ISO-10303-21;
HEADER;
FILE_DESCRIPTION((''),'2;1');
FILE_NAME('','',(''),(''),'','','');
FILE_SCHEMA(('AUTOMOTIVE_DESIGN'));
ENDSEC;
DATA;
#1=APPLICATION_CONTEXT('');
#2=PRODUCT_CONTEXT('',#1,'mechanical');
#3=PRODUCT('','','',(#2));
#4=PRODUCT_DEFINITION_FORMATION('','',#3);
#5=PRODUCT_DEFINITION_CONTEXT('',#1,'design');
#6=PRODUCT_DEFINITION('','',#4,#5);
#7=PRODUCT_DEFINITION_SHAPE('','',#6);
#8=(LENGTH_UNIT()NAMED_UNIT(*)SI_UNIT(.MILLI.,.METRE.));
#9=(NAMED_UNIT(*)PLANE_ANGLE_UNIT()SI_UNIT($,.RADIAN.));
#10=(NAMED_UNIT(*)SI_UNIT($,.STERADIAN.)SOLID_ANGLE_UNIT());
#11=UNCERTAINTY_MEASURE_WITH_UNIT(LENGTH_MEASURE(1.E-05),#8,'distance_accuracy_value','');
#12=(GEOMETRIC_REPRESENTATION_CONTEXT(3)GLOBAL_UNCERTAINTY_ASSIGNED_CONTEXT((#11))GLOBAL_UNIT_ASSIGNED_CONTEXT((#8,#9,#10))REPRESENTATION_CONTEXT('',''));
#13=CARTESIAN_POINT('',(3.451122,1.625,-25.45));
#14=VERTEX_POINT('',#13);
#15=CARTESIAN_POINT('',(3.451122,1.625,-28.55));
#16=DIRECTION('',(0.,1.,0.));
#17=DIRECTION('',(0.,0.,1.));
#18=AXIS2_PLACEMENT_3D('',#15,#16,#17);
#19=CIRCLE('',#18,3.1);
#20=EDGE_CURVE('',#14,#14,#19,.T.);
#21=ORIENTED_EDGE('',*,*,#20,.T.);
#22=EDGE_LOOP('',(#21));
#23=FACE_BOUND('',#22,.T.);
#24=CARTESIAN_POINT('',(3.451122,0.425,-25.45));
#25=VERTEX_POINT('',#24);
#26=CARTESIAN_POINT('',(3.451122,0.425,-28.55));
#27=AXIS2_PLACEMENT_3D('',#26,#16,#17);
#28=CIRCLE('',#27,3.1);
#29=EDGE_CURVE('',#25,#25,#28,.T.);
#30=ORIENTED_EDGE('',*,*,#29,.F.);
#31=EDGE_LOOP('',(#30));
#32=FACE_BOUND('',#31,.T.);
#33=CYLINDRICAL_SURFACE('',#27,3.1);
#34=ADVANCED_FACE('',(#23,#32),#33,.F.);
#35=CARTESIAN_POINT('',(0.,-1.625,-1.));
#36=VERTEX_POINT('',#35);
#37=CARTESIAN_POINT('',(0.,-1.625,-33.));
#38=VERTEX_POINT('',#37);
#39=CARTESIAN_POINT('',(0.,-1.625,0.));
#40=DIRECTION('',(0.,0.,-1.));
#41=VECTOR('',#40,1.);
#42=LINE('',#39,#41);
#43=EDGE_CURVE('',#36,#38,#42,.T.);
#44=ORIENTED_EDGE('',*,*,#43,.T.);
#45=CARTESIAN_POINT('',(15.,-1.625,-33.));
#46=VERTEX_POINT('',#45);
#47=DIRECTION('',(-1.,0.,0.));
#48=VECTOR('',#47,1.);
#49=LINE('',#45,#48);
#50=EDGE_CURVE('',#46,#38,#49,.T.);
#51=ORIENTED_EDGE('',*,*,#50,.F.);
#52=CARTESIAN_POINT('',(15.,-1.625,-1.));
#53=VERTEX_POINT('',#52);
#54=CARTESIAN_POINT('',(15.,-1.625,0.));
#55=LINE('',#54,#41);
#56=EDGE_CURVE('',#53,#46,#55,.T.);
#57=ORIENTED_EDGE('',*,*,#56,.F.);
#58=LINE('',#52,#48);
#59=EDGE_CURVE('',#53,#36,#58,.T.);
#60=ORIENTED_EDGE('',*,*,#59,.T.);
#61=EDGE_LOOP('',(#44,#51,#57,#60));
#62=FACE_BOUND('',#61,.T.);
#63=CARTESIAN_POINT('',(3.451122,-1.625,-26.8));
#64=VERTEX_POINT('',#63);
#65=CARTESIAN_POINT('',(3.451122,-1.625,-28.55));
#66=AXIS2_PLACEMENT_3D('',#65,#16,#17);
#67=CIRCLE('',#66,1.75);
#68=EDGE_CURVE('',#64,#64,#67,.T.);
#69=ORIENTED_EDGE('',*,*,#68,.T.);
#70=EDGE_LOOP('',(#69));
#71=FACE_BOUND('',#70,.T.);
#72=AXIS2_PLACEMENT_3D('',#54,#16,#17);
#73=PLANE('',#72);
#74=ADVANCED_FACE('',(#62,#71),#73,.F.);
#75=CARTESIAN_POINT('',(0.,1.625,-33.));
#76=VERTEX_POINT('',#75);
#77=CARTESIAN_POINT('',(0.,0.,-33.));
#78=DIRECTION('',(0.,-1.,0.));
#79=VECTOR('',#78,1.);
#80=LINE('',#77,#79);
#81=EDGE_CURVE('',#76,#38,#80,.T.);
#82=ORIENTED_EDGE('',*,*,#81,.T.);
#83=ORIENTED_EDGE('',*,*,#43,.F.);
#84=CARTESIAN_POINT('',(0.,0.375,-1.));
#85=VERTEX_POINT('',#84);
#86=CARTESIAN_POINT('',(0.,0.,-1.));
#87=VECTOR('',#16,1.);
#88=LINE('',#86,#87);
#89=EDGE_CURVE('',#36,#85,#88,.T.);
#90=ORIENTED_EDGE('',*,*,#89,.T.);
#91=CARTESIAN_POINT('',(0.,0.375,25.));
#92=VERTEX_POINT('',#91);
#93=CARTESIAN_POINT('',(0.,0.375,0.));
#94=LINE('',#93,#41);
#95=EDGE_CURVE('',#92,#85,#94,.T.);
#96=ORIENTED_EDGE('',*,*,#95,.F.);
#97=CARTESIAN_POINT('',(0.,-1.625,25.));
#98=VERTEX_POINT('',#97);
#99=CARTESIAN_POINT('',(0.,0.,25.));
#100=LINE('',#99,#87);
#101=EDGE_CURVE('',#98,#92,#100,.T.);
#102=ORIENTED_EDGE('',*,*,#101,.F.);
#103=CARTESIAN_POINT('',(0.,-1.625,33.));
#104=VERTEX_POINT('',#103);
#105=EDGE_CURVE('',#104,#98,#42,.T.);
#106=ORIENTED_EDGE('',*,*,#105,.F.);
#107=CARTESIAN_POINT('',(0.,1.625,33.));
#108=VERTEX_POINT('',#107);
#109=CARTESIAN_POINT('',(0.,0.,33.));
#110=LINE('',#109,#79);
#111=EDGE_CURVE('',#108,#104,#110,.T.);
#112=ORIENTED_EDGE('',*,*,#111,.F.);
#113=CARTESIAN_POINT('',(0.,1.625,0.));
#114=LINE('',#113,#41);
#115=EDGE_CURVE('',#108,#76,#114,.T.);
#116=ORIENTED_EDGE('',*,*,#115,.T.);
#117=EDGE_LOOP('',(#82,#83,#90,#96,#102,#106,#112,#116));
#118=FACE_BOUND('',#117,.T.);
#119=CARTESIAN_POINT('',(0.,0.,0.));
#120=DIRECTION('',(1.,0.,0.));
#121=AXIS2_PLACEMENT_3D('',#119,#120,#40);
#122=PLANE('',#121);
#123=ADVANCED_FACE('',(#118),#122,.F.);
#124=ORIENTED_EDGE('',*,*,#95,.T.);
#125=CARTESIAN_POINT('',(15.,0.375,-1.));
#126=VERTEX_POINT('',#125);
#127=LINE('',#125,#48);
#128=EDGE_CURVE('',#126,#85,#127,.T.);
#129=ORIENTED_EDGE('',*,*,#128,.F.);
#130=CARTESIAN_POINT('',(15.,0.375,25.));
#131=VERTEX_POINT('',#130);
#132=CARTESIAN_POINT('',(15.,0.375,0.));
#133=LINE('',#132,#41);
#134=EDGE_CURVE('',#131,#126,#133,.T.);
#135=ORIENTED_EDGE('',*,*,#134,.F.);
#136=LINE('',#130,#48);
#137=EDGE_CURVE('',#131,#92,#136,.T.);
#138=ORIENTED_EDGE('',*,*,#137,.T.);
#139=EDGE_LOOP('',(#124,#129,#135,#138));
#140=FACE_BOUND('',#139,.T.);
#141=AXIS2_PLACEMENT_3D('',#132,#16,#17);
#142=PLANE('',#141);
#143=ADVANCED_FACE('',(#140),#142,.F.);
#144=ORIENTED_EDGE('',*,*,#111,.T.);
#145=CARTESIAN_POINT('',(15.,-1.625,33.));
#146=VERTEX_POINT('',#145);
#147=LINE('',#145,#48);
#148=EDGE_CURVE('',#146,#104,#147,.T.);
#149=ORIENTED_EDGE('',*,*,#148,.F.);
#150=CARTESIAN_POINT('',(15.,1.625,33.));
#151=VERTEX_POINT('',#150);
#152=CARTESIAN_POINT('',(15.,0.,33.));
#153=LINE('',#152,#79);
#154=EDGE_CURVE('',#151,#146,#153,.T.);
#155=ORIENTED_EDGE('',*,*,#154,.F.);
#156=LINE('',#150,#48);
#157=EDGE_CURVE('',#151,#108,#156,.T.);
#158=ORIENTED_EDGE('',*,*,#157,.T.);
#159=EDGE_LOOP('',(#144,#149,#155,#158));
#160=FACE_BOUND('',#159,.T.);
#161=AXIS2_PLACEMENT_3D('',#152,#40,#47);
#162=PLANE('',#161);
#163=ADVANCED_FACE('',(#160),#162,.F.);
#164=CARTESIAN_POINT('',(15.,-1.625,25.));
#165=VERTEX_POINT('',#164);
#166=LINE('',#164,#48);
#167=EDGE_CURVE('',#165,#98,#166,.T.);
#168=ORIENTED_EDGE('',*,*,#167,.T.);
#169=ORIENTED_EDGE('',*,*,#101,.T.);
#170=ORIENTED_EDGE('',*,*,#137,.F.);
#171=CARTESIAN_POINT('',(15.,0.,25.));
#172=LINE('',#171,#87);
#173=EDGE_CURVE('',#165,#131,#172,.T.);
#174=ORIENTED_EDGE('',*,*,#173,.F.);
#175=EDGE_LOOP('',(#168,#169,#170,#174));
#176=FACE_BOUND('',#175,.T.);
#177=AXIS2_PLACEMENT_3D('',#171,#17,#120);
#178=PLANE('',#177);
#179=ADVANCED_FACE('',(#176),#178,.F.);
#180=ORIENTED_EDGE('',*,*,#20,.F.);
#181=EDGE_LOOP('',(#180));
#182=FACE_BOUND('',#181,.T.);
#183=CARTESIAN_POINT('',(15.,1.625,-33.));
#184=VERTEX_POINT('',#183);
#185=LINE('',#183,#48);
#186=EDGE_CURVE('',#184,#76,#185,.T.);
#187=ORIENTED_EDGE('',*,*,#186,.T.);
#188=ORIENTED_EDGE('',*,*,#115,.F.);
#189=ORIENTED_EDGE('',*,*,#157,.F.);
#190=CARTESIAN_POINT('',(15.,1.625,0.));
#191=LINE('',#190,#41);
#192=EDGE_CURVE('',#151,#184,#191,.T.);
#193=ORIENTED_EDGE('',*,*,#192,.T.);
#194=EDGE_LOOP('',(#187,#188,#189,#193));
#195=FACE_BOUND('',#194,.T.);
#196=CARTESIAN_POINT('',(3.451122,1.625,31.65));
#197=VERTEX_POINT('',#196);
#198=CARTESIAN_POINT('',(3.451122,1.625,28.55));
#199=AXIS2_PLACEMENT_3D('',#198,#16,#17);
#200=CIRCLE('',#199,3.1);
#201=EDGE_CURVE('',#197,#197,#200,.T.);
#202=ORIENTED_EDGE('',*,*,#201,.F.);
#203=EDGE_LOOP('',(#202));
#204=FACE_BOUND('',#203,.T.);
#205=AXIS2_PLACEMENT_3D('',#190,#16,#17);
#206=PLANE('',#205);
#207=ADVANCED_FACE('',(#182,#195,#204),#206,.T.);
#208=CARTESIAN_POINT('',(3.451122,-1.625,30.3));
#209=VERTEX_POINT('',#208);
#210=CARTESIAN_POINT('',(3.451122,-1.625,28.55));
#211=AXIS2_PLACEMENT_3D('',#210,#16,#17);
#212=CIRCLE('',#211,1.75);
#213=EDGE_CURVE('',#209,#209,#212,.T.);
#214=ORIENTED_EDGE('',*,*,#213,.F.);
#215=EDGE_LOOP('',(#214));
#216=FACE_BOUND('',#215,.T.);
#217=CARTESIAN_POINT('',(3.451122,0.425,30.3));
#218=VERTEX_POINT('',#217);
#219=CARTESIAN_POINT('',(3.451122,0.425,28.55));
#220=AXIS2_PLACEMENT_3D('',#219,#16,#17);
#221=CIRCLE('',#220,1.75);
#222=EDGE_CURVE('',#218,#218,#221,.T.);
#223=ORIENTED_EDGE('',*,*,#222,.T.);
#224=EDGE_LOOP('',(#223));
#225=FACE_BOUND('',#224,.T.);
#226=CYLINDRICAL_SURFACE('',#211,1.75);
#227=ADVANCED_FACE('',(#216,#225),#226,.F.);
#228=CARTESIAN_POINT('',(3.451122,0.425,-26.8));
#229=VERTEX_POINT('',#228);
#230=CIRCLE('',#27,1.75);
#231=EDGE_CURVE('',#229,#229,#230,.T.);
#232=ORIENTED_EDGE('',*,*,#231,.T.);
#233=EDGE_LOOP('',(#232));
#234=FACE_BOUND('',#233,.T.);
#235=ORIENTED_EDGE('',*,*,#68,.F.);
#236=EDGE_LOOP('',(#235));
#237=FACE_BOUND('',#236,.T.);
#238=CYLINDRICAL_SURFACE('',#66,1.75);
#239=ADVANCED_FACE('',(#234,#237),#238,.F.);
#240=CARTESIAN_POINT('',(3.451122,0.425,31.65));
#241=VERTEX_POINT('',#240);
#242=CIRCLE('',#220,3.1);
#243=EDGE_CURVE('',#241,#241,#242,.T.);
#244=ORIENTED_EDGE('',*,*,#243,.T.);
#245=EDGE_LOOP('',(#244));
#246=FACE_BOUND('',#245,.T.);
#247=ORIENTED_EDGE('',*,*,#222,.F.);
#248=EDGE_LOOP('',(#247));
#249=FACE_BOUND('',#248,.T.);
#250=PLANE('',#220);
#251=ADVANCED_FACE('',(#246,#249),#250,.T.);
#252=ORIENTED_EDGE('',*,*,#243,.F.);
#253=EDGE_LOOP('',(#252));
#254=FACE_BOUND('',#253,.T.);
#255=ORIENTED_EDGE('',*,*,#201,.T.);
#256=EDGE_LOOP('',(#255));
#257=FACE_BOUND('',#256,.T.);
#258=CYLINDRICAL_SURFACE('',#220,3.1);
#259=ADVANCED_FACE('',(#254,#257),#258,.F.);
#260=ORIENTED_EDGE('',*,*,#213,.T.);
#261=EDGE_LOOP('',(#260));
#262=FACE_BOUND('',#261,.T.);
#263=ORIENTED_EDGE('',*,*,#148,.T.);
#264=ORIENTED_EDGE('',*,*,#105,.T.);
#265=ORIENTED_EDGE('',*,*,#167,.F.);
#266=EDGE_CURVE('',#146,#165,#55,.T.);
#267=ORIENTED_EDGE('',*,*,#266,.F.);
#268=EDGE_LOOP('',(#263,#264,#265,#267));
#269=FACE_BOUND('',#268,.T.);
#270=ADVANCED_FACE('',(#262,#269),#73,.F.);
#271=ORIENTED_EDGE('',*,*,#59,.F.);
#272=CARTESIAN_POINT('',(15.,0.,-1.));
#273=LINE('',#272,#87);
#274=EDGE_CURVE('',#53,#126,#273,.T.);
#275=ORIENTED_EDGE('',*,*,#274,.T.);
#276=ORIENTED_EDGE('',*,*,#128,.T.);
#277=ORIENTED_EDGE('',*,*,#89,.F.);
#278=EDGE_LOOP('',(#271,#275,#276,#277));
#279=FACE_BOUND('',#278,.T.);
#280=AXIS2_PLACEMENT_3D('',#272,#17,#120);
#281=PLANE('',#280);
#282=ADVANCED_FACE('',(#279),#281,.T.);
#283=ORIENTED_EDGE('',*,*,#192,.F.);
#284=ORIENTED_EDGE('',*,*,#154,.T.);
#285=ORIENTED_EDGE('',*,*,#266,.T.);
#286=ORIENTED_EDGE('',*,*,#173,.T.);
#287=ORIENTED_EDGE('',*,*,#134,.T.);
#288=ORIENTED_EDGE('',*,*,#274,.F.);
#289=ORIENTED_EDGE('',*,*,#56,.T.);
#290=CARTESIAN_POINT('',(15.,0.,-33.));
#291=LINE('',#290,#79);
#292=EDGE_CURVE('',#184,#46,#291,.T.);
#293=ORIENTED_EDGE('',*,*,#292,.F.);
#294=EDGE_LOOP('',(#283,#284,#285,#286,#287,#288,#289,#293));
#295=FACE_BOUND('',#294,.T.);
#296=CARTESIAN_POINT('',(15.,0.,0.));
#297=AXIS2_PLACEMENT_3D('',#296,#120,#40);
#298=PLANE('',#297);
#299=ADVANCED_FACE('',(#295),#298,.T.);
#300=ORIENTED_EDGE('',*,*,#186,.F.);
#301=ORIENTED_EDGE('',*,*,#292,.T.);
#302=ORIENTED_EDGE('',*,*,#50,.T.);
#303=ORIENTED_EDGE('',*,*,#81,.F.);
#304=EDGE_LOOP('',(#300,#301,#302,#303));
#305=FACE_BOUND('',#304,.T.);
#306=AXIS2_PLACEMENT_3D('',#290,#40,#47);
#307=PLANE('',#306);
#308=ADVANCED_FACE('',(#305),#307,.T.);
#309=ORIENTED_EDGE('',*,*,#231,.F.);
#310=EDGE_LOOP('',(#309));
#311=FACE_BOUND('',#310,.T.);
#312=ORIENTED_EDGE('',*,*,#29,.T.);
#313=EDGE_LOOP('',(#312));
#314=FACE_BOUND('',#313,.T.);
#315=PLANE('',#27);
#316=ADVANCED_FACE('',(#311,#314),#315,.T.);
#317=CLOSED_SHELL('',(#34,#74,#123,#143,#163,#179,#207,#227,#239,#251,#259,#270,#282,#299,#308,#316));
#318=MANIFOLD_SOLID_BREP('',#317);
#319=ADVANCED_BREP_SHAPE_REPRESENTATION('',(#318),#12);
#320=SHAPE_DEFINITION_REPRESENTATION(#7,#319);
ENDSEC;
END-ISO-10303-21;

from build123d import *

# Parameters (mm, degrees)
EXTRUDE_1_DEPTH     = 15
SKETCH_2_R          = 1.75
CUT_EXTRUDE_1_DEPTH = 37.394539426
SKETCH_2_3_R        = 3.1
SKETCH_2_3_R_2      = 1.75
CUT_EXTRUDE_2_DEPTH = 1.2


with BuildPart() as part:
    # 草图1 → 凸台-拉伸1 (new body)
    with BuildSketch(Plane(origin=(0, 0, 0), x_dir=(0, 0, -1), z_dir=(1, 0, 0))):
        Polygon((33, 1.625), (-33, 1.625), (-33, -1.625), (-25, -1.625), (-25, 0.375), (1, 0.375), (1, -1.625), (33, -1.625), align=None)
    extrude(amount=EXTRUDE_1_DEPTH)

    # 草图2 → 切除-拉伸1 (cut, through all)
    with BuildSketch(Plane(origin=(0, 1.625, 0), x_dir=(1, 0, 0), z_dir=(0, 1, 0))):
        with Locations((3.451122219, 28.55)):
            Circle(SKETCH_2_R)
        with Locations((3.451122219, -28.55)):
            Circle(SKETCH_2_R)
    extrude(amount=-CUT_EXTRUDE_1_DEPTH, mode=Mode.SUBTRACT)

    # 草图2<3> → 切除-拉伸2 (cut)
    # profile 1 of 2: a face of its own
    with BuildSketch(Plane(origin=(0, 1.625, 0), x_dir=(1, 0, 0), z_dir=(0, 1, 0))):
        with Locations((3.451122219, 28.55)):
            Circle(SKETCH_2_3_R)
        with Locations((3.451122219, 28.55)):
            Circle(SKETCH_2_3_R_2, mode=Mode.SUBTRACT)
    # profile 2 of 2: a face of its own
    with BuildSketch(Plane(origin=(0, 1.625, 0), x_dir=(1, 0, 0), z_dir=(0, 1, 0))):
        with Locations((3.451122219, -28.55)):
            Circle(SKETCH_2_3_R)
        with Locations((3.451122219, -28.55)):
            Circle(SKETCH_2_3_R_2, mode=Mode.SUBTRACT)
    extrude(amount=-CUT_EXTRUDE_2_DEPTH, mode=Mode.SUBTRACT)


solid = part.part
